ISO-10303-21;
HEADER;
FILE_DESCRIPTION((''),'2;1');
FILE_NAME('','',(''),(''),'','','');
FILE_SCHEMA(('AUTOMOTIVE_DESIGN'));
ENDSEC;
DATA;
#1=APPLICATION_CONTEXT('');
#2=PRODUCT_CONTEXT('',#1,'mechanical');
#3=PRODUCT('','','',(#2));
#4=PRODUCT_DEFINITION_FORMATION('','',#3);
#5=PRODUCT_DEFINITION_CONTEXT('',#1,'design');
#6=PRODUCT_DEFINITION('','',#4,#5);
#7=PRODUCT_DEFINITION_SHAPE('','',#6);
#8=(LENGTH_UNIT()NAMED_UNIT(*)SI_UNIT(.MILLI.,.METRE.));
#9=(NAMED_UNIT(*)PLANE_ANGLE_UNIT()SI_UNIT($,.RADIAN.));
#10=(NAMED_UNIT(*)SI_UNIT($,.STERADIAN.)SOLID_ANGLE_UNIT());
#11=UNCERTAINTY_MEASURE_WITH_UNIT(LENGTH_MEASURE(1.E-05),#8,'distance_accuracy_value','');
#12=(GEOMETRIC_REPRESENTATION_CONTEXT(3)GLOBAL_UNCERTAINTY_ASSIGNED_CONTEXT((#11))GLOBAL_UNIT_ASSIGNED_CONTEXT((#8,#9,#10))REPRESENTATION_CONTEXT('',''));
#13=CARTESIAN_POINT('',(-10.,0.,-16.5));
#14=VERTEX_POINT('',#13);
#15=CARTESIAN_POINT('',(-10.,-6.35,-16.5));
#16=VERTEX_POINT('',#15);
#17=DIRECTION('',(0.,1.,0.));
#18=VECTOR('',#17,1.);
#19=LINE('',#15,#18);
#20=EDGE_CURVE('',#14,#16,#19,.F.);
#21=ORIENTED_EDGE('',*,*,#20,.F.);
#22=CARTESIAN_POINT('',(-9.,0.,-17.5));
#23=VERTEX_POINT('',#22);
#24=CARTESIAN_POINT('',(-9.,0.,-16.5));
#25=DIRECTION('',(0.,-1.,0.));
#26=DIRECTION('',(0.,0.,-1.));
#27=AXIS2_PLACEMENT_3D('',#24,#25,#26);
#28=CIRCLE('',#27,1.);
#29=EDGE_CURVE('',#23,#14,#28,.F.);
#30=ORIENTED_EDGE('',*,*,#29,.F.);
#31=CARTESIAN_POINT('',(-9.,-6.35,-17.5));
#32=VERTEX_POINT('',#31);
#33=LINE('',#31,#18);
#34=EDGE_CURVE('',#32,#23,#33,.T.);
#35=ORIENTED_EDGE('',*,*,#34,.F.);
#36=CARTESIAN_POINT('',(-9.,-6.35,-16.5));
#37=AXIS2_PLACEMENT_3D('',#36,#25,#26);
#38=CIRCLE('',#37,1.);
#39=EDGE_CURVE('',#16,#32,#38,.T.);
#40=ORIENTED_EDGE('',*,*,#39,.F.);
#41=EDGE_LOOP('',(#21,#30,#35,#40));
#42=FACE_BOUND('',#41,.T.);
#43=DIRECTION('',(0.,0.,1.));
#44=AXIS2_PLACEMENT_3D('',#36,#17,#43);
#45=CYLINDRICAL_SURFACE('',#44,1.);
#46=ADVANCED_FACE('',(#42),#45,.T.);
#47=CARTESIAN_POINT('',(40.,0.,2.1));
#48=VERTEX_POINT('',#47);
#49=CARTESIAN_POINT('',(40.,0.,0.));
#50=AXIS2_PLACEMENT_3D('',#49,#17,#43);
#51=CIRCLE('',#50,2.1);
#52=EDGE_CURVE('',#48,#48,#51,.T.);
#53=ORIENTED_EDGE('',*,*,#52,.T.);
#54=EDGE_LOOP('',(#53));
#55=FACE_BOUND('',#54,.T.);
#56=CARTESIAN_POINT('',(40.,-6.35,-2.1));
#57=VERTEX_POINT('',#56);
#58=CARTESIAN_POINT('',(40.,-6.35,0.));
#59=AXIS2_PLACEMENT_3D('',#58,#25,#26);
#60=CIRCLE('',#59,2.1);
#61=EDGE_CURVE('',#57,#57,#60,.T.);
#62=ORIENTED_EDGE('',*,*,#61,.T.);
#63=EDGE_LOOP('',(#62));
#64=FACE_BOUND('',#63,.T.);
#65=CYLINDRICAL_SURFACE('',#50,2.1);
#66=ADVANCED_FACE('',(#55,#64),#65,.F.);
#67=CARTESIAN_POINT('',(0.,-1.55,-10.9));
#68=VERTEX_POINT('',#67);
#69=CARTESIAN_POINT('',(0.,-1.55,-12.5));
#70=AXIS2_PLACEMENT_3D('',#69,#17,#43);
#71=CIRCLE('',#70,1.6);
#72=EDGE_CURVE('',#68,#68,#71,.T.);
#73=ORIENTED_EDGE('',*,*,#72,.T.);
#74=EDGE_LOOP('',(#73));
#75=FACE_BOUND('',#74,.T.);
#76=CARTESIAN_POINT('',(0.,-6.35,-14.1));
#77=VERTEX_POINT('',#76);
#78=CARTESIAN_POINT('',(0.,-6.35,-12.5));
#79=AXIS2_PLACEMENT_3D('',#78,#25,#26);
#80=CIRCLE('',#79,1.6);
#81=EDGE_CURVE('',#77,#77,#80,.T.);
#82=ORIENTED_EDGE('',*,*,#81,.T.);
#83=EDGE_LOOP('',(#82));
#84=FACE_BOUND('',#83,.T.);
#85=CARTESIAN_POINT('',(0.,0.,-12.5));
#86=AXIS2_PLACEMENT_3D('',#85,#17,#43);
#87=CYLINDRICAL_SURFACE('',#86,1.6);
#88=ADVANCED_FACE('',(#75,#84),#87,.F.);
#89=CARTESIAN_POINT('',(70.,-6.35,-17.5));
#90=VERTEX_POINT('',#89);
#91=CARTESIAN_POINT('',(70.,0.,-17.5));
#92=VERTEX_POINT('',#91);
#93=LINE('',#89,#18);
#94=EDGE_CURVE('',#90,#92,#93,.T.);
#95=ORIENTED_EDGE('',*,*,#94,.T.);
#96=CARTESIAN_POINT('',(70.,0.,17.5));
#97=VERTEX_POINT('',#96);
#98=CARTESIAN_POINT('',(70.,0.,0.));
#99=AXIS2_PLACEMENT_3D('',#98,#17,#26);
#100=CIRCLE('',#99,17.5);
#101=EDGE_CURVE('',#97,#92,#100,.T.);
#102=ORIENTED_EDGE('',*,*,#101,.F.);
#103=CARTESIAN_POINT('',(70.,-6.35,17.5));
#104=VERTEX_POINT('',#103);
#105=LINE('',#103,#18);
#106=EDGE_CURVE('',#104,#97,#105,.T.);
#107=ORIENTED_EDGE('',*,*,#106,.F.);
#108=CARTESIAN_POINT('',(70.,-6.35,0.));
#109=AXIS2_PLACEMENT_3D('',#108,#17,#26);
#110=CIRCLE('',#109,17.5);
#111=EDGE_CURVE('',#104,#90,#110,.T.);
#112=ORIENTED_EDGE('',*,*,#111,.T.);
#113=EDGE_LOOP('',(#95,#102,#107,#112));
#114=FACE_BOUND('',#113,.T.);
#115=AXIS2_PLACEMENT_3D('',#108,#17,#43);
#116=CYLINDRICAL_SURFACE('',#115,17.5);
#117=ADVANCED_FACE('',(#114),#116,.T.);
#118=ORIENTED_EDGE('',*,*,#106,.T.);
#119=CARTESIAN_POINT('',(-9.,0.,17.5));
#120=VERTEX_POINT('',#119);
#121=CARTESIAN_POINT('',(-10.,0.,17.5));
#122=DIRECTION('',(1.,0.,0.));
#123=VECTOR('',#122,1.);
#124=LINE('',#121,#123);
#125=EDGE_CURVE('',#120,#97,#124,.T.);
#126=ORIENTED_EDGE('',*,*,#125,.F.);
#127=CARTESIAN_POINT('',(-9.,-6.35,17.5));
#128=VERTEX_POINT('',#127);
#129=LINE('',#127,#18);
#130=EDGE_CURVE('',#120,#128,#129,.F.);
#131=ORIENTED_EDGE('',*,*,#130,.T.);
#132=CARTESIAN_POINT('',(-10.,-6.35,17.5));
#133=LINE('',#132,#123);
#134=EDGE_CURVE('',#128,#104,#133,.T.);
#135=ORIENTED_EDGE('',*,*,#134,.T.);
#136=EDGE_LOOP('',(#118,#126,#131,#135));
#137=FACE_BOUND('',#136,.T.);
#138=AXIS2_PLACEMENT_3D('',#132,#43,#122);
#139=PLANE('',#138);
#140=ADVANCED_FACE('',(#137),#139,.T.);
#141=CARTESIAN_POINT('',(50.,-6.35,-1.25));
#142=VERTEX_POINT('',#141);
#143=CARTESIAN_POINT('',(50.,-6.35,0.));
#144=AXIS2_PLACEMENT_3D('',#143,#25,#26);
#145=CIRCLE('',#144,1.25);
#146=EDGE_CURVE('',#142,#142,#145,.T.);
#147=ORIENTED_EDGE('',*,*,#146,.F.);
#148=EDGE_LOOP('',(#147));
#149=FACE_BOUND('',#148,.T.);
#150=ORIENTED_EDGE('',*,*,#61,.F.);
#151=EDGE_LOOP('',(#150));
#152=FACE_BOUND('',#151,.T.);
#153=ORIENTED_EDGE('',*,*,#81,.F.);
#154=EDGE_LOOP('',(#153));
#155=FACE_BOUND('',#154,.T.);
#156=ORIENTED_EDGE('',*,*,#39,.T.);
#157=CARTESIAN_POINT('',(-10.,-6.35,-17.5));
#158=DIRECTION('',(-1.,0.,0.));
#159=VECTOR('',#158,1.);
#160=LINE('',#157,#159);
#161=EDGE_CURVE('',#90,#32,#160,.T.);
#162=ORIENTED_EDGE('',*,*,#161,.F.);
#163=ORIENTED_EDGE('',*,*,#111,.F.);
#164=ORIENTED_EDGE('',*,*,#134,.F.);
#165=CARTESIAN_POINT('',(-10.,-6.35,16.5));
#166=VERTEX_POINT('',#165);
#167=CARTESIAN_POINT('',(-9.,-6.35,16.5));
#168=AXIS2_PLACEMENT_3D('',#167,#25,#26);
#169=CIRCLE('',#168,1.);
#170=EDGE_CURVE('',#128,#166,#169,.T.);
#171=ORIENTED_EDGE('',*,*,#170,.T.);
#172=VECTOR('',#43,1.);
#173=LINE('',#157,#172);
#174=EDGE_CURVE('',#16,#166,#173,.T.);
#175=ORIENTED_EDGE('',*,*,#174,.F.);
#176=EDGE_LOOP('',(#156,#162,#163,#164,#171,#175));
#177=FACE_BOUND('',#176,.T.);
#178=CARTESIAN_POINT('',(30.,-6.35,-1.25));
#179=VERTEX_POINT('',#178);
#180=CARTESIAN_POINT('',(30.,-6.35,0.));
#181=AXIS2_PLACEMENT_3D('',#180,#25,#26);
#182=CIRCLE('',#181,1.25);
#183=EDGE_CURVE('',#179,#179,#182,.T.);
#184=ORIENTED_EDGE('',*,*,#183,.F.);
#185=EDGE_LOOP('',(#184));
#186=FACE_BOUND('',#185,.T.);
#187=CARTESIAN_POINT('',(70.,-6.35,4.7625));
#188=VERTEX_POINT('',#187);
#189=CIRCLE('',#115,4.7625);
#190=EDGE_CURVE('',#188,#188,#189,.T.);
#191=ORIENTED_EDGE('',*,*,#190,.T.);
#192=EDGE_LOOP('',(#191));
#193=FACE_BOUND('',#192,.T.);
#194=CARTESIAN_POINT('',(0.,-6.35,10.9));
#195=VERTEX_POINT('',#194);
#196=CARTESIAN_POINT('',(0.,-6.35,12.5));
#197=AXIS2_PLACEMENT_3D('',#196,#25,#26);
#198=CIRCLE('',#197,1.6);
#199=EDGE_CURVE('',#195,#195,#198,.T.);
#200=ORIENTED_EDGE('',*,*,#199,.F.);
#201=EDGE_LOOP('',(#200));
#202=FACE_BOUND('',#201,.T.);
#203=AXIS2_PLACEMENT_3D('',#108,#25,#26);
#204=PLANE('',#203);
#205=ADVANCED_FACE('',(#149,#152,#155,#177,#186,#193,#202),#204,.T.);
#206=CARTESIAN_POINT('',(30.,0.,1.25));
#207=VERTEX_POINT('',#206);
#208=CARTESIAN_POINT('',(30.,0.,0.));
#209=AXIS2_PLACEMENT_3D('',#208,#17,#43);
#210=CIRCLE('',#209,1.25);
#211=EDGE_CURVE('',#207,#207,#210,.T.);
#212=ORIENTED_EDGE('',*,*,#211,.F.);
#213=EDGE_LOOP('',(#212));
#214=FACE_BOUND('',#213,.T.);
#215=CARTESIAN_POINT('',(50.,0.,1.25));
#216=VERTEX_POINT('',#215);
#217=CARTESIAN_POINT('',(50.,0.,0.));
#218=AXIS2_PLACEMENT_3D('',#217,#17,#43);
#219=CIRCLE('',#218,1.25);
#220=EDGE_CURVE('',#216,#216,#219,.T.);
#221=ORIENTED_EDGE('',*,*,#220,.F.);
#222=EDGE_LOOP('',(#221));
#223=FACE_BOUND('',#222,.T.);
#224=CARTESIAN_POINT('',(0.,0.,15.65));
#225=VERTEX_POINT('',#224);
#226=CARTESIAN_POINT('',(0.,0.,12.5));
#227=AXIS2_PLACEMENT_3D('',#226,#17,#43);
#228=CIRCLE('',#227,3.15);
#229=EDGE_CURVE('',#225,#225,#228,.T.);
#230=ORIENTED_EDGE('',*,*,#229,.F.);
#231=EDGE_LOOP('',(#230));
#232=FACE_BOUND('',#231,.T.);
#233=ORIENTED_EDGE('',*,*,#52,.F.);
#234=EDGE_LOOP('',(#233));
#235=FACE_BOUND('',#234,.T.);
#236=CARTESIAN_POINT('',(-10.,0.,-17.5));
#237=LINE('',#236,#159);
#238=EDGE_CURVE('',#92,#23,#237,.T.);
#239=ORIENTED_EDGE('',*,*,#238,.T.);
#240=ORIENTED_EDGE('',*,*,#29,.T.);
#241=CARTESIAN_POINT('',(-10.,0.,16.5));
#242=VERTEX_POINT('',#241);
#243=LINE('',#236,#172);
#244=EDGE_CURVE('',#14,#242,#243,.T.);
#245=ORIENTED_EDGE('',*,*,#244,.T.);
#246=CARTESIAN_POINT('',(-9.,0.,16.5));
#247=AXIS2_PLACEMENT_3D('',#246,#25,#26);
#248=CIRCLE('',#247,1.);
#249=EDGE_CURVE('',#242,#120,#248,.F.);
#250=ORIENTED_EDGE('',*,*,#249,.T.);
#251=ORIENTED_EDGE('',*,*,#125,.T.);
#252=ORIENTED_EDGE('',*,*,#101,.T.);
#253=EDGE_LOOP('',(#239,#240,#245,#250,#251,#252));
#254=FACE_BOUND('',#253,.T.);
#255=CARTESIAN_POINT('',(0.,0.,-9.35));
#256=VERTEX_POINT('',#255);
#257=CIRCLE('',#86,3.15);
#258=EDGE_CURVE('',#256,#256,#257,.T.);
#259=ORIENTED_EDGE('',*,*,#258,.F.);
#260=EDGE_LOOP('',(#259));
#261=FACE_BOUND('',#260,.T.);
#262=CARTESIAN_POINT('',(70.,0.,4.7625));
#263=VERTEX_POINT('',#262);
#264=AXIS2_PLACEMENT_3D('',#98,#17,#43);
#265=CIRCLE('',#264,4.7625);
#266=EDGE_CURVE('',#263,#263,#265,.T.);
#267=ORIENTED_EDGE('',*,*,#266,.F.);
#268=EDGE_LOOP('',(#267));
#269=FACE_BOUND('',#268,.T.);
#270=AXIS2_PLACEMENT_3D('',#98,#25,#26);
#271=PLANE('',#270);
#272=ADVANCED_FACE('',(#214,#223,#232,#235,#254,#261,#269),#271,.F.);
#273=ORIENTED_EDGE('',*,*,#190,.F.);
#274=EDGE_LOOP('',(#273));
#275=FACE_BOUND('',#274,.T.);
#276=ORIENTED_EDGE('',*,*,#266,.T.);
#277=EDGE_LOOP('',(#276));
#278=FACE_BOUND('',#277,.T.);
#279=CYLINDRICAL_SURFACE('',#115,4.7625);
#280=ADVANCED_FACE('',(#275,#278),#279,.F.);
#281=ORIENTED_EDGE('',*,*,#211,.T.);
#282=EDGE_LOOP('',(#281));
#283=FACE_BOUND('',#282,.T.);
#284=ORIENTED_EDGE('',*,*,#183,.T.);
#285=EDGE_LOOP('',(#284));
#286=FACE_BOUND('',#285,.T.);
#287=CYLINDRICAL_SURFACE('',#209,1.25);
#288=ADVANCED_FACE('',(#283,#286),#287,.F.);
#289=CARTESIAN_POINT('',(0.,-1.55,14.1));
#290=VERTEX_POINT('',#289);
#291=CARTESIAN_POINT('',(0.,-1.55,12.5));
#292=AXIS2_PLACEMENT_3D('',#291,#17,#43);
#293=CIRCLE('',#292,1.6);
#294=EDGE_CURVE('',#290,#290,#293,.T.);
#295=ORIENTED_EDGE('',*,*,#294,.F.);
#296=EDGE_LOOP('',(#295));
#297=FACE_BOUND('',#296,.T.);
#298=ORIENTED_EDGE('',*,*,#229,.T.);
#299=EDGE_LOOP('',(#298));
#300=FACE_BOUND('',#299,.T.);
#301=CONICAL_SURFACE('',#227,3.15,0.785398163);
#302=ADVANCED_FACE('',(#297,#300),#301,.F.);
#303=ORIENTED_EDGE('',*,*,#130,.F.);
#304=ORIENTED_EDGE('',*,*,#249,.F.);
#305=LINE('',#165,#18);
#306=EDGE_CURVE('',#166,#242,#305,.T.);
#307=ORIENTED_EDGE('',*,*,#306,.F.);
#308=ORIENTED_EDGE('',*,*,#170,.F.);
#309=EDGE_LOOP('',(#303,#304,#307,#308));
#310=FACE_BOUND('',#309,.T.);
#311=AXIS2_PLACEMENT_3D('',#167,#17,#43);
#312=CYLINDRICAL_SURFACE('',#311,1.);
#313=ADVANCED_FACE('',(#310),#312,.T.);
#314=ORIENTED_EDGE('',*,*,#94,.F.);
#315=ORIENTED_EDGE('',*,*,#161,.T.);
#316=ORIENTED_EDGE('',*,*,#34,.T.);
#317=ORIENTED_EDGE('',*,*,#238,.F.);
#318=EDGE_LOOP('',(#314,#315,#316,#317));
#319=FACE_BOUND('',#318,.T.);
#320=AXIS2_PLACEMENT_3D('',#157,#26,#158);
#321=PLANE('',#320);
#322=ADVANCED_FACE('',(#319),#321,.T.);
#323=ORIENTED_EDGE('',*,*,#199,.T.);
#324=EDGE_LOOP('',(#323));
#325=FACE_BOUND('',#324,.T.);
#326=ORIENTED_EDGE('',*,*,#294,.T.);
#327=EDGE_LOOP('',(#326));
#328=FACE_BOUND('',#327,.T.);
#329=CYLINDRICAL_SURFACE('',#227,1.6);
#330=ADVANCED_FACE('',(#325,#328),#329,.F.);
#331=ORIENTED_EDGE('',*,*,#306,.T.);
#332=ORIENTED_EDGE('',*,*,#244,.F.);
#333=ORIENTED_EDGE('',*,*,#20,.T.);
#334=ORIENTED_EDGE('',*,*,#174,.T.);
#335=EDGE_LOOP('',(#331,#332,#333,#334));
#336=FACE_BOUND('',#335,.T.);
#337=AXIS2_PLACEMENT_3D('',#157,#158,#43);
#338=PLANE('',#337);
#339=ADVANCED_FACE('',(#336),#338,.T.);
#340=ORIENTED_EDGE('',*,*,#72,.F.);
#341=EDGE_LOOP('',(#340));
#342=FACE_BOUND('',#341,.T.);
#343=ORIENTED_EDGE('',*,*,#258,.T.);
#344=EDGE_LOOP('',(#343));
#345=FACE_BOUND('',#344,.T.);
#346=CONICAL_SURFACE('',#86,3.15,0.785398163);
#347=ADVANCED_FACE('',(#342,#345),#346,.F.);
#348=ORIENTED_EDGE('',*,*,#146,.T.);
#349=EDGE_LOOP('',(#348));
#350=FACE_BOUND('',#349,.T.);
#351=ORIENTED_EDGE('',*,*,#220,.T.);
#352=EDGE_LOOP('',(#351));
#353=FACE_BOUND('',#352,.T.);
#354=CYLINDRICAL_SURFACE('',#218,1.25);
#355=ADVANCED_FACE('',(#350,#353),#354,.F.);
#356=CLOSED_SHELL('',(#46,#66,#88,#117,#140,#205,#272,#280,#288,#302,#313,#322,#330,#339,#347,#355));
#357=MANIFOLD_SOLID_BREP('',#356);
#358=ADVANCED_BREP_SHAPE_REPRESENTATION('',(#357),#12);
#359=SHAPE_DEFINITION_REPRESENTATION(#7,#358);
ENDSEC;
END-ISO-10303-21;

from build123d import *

# Parameters (mm, degrees)
SKETCH2_R                                       = 4.7625
BOSS_EXTRUDE1_DEPTH                             = 6.35
CSK_FOR_M3_FLAT_HEAD_MACHINE_SCREW1_D           = 3.2
CSK_FOR_M3_FLAT_HEAD_MACHINE_SCREW1_CSINK_D     = 6.3
CSK_FOR_M3_FLAT_HEAD_MACHINE_SCREW1_CSINK_ANGLE = 90
TAP_DRILL_FOR_M3X0_5_TAP1_D                     = 2.5
FILLET1_R                                       = 1
TAP_DRILL_FOR_M5X0_8_TAP1_D                     = 4.2


with BuildPart() as part:
    # Sketch2 → Boss-Extrude1 (new body)
    with BuildSketch(Plane(origin=(0, 0, 0), x_dir=(1, 0, 0), z_dir=(0, 1, 0))):
        with BuildLine():
            Line((70, 17.5), (-10, 17.5))
            Line((-10, 17.5), (-10, -17.5))
            Line((-10, -17.5), (70, -17.5))
            ThreePointArc((70, -17.5), (87.5, 0), (70, 17.5))
        make_face()
        with Locations((70, 0)):
            Circle(SKETCH2_R, mode=Mode.SUBTRACT)
    extrude(amount=-BOSS_EXTRUDE1_DEPTH)

    # CSK for M3 Flat Head Machine Screw1 (through all)
    with Locations(Plane(origin=(0, 0, -12.5), x_dir=(0, 0, 1), z_dir=(0, 1, 0))):
        with Locations((0, 0), (25, 0)):
            CounterSinkHole(CSK_FOR_M3_FLAT_HEAD_MACHINE_SCREW1_D / 2, CSK_FOR_M3_FLAT_HEAD_MACHINE_SCREW1_CSINK_D / 2, counter_sink_angle=CSK_FOR_M3_FLAT_HEAD_MACHINE_SCREW1_CSINK_ANGLE)

    # Tap Drill for M3x0.5 Tap1 (through all)
    with Locations(Plane(origin=(30, 0, 0), x_dir=(0, 0, 1), z_dir=(0, 1, 0))):
        with Locations((0, 0), (0, 20)):
            Hole(TAP_DRILL_FOR_M3X0_5_TAP1_D / 2)

    # Fillet1
    fillet1_edges = [part.edges().sort_by_distance(p)[0] for p in [
        (-10, -3.175, 17.5),
        (-10, -3.175, -17.5),
    ]]
    fillet(fillet1_edges, radius=FILLET1_R)

    # Tap Drill for M5x0.8 Tap1 (through all)
    with Locations(Plane(origin=(40, 0, 0), x_dir=(0, 0, 1), z_dir=(0, 1, 0))):
        with Locations((0, 0)):
            Hole(TAP_DRILL_FOR_M5X0_8_TAP1_D / 2)


solid = part.part
